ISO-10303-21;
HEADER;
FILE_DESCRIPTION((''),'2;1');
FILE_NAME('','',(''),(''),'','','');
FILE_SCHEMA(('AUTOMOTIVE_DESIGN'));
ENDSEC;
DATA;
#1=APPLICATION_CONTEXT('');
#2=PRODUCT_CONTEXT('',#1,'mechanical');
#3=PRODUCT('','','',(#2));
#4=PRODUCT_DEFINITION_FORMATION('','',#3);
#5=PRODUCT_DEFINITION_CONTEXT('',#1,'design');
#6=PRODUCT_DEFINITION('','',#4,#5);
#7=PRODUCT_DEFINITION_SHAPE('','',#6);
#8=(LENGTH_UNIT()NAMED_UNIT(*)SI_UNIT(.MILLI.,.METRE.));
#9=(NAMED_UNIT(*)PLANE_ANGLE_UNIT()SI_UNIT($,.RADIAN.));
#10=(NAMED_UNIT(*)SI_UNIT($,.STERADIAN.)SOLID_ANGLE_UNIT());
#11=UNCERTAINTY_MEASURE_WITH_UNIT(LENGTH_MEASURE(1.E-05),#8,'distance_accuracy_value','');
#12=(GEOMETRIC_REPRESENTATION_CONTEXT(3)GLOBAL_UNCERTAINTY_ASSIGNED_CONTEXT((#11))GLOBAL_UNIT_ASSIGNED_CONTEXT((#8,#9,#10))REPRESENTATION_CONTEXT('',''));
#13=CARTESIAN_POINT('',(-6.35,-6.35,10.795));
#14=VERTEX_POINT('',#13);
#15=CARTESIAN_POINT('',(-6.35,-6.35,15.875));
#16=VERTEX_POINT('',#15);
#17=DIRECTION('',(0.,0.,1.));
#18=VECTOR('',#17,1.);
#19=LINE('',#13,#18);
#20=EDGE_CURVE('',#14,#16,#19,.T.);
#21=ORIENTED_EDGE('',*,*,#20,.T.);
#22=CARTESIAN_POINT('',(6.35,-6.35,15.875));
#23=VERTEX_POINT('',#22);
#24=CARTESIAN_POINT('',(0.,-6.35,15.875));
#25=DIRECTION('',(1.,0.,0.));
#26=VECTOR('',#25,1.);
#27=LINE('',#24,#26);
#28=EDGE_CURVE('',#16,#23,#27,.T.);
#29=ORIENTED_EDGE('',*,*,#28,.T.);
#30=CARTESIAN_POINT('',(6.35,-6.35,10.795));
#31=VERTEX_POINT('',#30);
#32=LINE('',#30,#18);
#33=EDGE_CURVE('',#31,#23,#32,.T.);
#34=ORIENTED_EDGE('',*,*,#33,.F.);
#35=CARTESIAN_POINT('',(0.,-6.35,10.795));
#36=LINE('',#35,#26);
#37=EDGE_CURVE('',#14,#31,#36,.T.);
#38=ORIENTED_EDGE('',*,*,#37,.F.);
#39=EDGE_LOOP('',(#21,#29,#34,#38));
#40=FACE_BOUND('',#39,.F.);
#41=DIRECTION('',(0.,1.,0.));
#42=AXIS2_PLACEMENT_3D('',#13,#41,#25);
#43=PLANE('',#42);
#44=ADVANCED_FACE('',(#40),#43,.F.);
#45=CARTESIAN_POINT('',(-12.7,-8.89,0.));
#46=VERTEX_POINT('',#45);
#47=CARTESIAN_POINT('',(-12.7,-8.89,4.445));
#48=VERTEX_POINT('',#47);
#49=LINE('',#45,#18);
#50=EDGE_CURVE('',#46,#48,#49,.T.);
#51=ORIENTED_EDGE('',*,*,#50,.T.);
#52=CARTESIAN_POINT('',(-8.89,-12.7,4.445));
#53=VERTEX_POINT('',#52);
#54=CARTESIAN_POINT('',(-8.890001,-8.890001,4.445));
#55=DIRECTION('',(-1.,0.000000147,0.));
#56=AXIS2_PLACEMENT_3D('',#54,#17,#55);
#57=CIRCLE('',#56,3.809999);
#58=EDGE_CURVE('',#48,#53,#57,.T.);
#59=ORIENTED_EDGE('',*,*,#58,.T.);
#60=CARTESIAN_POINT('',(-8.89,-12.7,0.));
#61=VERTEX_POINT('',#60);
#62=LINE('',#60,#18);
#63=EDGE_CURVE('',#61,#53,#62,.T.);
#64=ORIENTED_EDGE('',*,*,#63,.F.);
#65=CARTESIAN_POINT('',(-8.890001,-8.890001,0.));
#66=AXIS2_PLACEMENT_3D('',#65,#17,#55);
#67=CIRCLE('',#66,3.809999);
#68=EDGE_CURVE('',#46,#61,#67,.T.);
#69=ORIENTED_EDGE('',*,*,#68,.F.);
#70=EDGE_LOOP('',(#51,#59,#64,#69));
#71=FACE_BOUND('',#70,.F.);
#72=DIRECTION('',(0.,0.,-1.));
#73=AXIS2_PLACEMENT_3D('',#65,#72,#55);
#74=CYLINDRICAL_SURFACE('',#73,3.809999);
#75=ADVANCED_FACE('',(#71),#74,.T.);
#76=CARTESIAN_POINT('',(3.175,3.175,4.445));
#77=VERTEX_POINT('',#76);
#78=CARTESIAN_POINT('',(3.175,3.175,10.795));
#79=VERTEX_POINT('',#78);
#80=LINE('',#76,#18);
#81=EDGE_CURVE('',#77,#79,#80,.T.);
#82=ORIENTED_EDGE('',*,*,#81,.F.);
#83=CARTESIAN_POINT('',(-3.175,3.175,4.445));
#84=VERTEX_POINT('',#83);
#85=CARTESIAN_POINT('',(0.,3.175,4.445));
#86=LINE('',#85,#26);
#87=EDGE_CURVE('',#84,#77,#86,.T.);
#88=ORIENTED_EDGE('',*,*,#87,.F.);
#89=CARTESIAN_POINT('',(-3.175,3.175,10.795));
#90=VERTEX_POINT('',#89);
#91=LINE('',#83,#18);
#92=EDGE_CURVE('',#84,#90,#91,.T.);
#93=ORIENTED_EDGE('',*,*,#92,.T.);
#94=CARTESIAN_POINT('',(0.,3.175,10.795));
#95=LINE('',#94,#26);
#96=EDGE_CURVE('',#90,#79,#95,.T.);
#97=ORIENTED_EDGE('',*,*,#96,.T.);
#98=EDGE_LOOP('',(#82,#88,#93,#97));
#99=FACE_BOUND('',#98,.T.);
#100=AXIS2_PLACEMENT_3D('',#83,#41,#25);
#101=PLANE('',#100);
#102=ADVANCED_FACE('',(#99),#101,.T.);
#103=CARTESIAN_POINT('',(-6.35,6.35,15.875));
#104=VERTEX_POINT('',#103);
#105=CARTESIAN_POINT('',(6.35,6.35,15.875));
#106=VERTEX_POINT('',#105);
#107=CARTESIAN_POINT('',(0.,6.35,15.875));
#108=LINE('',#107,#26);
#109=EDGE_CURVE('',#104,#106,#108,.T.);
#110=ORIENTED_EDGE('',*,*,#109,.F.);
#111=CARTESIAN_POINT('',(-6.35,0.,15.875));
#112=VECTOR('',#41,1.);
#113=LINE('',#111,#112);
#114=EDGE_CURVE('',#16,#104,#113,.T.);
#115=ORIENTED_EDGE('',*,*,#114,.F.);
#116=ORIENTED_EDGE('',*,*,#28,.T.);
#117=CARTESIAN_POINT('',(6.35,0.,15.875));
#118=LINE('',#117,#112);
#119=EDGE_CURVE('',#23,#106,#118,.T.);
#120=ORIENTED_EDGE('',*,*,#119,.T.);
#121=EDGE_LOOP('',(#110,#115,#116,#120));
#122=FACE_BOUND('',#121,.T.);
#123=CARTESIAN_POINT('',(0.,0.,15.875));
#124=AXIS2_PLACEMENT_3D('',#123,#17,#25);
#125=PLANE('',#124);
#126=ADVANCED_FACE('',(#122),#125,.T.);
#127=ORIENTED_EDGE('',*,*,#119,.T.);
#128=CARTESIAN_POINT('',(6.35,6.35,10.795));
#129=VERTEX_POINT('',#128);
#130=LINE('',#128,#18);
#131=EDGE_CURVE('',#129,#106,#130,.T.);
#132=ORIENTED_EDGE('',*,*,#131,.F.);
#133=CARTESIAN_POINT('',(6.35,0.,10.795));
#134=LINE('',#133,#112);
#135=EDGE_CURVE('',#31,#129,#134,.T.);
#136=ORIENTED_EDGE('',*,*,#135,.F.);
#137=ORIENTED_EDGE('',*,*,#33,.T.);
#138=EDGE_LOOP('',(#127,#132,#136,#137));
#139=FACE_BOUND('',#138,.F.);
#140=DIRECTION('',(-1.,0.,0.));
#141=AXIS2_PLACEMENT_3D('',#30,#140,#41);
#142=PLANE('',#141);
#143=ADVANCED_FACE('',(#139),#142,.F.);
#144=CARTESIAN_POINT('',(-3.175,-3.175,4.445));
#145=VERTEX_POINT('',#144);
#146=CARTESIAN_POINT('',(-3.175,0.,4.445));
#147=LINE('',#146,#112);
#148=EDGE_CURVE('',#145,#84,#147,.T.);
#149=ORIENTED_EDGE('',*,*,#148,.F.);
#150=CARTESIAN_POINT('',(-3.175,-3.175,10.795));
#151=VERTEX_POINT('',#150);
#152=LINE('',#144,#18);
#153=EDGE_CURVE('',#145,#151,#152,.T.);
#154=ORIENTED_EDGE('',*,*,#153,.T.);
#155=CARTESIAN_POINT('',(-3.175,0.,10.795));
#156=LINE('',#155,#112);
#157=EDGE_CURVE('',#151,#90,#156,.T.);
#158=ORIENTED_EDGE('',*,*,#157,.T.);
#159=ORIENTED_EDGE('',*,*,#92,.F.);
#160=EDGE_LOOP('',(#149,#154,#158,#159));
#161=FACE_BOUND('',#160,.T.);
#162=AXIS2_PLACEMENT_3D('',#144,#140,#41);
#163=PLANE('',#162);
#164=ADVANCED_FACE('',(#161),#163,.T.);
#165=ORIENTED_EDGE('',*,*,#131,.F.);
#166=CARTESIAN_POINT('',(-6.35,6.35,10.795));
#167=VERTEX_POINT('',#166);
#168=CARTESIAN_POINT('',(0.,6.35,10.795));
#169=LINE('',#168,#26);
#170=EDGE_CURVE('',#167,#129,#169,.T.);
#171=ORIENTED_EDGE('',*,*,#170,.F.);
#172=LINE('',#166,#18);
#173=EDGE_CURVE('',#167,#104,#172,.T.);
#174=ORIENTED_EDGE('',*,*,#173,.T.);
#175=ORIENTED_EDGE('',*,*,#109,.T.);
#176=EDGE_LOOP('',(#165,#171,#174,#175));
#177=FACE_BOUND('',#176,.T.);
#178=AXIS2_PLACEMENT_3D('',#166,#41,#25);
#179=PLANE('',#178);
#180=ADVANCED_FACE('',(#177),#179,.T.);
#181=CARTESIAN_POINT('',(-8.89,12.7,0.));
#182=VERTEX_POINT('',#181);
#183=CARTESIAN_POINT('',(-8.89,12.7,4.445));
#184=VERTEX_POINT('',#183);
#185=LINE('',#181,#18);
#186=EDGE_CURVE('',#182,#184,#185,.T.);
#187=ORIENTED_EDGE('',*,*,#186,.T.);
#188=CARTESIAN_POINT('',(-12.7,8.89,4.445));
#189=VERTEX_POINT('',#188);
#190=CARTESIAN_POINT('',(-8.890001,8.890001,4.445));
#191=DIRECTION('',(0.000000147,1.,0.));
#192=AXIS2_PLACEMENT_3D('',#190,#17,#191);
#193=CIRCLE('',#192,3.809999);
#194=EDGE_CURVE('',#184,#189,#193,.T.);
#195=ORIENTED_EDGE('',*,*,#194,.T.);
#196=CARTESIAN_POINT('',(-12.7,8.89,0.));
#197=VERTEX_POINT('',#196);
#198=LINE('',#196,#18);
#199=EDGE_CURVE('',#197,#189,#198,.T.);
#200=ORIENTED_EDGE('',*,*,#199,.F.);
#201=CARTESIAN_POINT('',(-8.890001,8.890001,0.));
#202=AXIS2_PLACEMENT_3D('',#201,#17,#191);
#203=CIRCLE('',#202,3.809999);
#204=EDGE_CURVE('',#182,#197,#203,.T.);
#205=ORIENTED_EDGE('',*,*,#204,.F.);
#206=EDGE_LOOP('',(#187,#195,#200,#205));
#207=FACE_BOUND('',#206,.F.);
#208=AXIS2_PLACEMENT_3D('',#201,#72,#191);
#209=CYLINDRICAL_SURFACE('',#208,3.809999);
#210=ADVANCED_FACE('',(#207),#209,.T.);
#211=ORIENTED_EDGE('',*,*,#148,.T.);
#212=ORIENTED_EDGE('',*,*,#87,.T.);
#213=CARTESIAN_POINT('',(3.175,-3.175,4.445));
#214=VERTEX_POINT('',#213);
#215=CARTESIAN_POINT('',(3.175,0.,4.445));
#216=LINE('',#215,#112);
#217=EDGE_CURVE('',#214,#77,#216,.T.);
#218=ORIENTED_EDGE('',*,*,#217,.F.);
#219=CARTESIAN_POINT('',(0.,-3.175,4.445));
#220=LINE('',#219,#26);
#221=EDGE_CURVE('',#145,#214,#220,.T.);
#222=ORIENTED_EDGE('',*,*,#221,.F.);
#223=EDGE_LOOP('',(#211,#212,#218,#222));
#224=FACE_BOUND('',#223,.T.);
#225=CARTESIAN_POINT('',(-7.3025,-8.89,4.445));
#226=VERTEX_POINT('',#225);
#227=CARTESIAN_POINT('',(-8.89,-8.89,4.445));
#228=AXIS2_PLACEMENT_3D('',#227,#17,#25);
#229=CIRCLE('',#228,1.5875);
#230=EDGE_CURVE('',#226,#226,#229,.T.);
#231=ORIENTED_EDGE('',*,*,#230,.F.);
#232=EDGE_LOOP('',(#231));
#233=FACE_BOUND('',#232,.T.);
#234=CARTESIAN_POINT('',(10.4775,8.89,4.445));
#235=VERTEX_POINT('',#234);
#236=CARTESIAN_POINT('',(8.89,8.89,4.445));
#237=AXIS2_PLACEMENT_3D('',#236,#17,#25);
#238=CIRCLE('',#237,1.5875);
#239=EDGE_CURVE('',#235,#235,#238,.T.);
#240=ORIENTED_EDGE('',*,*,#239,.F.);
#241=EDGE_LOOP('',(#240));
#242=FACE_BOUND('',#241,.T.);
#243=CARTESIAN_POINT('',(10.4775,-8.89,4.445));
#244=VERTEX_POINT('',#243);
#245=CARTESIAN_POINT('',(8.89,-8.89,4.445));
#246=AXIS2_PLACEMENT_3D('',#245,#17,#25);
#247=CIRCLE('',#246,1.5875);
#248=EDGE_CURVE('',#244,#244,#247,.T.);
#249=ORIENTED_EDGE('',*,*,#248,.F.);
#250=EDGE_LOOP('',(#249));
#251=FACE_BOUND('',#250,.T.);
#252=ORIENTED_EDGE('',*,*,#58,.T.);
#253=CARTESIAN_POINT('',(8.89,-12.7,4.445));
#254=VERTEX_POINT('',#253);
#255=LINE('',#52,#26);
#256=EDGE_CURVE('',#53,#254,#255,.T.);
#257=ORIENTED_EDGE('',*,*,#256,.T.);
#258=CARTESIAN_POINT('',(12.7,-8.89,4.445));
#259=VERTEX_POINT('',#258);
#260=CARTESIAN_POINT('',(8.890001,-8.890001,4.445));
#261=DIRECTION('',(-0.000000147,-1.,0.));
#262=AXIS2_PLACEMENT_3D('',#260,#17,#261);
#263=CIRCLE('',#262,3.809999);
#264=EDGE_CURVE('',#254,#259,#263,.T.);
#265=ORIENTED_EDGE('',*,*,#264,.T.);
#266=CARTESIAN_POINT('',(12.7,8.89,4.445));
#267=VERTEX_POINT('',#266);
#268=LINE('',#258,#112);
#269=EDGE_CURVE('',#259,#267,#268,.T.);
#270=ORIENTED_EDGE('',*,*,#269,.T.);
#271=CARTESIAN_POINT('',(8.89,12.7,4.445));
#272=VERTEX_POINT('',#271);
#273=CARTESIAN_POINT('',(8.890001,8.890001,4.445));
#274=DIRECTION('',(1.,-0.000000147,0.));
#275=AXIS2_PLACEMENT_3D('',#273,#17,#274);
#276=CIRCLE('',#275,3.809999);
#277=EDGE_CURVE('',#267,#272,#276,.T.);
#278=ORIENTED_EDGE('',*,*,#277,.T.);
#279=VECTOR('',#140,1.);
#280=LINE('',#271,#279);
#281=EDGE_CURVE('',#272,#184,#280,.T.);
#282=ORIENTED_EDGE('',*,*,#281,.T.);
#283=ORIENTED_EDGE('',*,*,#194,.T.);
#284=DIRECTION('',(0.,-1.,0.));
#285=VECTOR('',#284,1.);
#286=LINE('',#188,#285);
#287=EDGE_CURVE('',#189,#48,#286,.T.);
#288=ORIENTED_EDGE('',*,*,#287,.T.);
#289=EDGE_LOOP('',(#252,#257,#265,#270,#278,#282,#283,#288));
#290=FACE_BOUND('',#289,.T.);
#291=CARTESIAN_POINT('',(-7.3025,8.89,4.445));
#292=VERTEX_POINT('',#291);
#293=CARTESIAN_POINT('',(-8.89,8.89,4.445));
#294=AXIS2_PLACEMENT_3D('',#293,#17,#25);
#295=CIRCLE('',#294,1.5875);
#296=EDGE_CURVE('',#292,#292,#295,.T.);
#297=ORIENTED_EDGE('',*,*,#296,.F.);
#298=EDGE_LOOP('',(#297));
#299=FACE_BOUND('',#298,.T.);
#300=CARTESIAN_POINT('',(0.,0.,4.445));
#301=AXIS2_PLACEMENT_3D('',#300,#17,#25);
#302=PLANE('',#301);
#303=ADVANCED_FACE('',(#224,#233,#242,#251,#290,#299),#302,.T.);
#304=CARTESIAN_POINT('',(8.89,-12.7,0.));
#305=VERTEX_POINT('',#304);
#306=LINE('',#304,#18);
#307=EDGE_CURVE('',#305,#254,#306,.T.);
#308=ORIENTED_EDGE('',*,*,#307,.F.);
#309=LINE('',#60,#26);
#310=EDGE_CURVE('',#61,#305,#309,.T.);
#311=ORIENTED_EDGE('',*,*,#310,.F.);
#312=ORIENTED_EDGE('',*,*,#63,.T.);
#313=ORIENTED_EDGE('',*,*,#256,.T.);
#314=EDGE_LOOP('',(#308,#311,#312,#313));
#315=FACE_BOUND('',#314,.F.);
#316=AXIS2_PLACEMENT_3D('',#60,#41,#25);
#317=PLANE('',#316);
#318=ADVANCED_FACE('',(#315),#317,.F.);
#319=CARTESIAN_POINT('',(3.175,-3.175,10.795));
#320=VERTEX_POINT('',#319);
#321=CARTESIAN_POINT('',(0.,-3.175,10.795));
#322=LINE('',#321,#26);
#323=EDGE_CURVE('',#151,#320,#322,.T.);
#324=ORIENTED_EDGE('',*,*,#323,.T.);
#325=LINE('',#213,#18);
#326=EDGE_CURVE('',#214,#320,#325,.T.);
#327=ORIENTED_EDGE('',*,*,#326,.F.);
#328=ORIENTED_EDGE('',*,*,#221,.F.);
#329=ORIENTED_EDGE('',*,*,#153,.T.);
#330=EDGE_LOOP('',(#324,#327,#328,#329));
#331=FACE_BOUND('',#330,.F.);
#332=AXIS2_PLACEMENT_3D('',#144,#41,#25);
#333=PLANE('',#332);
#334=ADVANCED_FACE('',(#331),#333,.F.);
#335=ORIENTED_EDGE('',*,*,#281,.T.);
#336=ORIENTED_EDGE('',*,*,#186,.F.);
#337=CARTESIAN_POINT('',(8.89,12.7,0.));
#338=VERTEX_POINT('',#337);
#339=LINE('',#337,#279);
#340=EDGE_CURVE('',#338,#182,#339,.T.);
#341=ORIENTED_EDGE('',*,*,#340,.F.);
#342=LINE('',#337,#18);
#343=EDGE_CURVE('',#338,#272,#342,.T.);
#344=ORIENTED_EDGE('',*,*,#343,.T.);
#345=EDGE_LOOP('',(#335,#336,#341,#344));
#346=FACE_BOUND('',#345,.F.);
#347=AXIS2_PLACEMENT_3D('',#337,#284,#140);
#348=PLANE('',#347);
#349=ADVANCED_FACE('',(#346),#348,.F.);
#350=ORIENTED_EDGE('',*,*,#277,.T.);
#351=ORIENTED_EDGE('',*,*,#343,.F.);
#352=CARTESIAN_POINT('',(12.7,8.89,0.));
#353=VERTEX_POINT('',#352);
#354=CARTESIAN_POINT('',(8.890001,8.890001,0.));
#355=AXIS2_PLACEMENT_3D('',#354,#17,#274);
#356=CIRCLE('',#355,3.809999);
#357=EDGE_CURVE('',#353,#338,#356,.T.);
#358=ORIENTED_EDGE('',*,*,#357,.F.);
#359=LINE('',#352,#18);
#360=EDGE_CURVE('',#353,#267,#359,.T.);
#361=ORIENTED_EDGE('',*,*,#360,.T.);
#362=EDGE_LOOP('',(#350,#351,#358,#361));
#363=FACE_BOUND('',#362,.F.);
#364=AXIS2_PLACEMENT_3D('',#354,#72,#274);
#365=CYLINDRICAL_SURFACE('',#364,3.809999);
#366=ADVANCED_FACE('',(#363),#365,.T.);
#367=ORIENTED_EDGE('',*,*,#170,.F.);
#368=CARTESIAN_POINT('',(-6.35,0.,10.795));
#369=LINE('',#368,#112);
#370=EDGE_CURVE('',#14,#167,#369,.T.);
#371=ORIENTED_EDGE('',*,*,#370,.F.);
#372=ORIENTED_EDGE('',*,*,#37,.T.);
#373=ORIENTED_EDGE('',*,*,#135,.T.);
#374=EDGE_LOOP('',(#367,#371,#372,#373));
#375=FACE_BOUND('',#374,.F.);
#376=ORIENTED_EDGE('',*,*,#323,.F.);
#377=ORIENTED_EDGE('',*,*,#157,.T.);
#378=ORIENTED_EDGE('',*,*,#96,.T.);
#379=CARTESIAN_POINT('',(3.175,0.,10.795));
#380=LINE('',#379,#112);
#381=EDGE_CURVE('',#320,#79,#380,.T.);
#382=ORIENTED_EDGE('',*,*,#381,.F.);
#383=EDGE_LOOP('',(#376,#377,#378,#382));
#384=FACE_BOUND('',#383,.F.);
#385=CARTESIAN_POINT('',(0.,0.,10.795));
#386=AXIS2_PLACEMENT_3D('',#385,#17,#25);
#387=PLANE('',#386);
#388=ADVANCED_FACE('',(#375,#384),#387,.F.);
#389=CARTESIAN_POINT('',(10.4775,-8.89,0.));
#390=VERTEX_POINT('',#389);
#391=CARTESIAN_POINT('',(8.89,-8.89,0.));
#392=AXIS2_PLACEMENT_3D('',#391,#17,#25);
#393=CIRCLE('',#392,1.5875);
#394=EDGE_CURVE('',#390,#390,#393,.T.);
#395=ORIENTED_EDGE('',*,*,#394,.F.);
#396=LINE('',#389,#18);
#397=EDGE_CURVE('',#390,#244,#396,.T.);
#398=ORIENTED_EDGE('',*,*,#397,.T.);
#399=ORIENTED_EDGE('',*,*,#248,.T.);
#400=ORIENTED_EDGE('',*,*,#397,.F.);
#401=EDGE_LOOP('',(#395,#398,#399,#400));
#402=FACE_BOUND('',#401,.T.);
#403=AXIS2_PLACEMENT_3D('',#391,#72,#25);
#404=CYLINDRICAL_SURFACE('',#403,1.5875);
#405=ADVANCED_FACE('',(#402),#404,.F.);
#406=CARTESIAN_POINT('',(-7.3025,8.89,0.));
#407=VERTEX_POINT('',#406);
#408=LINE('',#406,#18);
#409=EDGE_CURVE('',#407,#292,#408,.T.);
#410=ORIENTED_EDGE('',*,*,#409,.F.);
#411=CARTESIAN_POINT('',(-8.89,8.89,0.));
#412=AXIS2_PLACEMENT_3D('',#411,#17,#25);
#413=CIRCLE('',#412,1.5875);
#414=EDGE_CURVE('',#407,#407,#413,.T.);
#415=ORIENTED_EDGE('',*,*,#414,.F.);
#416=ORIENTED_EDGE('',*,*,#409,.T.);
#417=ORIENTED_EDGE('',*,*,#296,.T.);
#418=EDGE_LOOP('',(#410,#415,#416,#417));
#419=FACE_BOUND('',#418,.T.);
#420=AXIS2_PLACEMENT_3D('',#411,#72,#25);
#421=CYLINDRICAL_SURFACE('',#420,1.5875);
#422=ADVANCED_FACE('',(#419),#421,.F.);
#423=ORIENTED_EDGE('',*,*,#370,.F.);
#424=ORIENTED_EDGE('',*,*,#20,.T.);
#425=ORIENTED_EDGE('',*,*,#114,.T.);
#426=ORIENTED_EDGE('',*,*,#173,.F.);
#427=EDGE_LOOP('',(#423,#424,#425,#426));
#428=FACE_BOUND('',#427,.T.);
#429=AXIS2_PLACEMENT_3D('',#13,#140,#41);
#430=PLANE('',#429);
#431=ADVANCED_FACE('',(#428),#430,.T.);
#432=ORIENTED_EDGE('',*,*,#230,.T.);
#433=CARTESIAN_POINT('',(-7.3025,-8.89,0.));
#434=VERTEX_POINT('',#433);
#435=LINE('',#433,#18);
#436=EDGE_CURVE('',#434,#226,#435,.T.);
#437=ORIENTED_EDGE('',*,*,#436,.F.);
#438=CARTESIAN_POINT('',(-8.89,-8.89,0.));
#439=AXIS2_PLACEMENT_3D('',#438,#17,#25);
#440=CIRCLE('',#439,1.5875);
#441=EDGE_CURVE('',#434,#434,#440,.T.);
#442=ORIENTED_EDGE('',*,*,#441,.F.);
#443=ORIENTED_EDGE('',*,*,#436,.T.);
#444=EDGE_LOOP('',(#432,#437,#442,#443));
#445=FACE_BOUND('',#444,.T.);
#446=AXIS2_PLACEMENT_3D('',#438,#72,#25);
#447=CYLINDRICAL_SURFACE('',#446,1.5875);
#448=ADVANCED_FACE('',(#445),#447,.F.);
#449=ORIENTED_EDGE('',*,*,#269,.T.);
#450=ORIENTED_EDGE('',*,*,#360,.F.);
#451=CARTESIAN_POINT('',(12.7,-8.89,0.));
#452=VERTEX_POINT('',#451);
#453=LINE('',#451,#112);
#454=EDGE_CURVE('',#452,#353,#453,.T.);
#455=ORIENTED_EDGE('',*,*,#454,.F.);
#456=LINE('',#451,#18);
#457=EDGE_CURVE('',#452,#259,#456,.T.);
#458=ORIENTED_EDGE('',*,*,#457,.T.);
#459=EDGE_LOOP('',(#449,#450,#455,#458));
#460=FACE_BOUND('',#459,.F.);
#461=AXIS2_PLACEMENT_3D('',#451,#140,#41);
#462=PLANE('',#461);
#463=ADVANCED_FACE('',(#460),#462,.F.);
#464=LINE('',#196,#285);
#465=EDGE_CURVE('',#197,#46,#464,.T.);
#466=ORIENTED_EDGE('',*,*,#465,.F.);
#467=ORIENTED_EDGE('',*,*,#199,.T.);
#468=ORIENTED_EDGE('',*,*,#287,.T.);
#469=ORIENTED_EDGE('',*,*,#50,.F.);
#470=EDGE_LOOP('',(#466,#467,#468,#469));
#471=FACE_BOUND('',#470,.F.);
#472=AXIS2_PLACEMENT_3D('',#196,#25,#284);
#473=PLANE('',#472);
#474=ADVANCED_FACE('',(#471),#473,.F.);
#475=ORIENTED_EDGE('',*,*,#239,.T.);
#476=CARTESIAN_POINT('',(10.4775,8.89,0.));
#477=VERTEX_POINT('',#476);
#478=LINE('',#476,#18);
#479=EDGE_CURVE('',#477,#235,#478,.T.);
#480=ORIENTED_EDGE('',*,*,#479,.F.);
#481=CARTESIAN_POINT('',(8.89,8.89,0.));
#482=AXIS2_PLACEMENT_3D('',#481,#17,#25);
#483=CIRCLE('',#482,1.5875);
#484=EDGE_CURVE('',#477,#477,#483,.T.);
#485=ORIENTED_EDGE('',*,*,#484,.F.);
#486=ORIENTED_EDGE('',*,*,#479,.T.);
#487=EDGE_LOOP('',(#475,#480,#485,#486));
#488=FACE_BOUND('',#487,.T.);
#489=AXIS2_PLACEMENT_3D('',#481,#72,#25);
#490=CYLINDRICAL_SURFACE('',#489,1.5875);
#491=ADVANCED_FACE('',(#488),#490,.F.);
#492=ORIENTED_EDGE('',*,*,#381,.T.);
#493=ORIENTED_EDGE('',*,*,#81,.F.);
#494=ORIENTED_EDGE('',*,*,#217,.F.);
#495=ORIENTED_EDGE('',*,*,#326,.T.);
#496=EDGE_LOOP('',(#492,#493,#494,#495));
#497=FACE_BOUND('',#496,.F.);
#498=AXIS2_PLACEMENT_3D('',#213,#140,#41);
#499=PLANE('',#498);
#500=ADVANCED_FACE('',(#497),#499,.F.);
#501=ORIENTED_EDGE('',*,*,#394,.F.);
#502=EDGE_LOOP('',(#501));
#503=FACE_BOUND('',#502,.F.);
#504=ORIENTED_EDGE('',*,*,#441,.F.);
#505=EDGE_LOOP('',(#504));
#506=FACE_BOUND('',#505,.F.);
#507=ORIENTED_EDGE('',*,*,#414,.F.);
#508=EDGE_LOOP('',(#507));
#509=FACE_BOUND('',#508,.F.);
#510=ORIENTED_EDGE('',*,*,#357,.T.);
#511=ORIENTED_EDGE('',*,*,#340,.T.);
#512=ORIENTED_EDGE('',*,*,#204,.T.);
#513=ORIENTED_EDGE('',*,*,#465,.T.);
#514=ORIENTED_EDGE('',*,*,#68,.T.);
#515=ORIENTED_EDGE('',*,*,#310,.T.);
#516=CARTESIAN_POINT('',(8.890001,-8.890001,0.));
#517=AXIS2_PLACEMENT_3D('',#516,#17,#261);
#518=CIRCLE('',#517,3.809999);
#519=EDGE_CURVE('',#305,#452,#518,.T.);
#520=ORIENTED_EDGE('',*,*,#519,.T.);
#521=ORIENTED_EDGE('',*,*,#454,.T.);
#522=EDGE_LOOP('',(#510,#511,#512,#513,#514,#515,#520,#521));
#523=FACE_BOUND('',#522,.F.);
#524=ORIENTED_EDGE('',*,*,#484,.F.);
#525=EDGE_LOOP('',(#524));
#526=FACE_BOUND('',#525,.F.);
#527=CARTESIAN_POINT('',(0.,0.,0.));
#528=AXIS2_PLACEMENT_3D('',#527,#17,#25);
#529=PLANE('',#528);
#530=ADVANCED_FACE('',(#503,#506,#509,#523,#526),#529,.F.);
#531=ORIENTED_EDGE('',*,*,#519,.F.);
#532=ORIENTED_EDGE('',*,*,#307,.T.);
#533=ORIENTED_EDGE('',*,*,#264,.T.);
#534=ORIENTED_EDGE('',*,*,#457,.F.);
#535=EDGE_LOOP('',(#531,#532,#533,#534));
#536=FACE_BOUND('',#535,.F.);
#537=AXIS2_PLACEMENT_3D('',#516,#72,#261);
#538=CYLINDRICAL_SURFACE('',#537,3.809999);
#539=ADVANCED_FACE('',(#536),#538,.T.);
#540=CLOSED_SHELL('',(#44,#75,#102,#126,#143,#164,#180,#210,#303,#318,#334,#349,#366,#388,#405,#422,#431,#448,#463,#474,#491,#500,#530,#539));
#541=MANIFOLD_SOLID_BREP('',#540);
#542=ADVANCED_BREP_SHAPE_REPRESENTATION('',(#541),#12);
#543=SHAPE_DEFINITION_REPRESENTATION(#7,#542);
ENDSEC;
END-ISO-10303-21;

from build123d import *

# Parameters (mm, degrees)
F0_R     = 1.5875
F1_DEPTH = 4.445
F2_W     = 6.35
F2_H     = 6.35
F3_DEPTH = 6.35
F4_W     = 12.7
F4_H     = 12.7
F5_DEPTH = 5.08


with BuildPart() as f1:
    # F0 (on Top) → F1 (new body)
    with BuildSketch(Plane.XY):
        with BuildLine():
            ThreePointArc((12.7, 8.89), (11.584077, 11.584077), (8.89, 12.7))
            Line((8.89, 12.7), (-8.89, 12.7))
            ThreePointArc((-8.89, 12.7), (-11.584077, 11.584077), (-12.7, 8.89))
            Line((-12.7, 8.89), (-12.7, -8.89))
            ThreePointArc((-12.7, -8.89), (-11.584077, -11.584077), (-8.89, -12.7))
            Line((-8.89, -12.7), (8.89, -12.7))
            ThreePointArc((8.89, -12.7), (11.584077, -11.584077), (12.7, -8.89))
            Line((12.7, -8.89), (12.7, 8.89))
        make_face()
        with Locations((-8.89, -8.89)):
            Circle(F0_R, mode=Mode.SUBTRACT)
        with Locations((8.89, -8.89)):
            Circle(F0_R, mode=Mode.SUBTRACT)
        with Locations((-8.89, 8.89)):
            Circle(F0_R, mode=Mode.SUBTRACT)
        with Locations((8.89, 8.89)):
            Circle(F0_R, mode=Mode.SUBTRACT)
    extrude(amount=F1_DEPTH)

    # F2 (on face) → F3 (join)
    with BuildSketch(Plane.XY.offset(4.445)):
        Rectangle(F2_W, F2_H)
    extrude(amount=F3_DEPTH)

    # F4 (on face) → F5 (join)
    with BuildSketch(Plane.XY.offset(10.795)):
        Rectangle(F4_W, F4_H)
    extrude(amount=F5_DEPTH)


solid = f1.part
